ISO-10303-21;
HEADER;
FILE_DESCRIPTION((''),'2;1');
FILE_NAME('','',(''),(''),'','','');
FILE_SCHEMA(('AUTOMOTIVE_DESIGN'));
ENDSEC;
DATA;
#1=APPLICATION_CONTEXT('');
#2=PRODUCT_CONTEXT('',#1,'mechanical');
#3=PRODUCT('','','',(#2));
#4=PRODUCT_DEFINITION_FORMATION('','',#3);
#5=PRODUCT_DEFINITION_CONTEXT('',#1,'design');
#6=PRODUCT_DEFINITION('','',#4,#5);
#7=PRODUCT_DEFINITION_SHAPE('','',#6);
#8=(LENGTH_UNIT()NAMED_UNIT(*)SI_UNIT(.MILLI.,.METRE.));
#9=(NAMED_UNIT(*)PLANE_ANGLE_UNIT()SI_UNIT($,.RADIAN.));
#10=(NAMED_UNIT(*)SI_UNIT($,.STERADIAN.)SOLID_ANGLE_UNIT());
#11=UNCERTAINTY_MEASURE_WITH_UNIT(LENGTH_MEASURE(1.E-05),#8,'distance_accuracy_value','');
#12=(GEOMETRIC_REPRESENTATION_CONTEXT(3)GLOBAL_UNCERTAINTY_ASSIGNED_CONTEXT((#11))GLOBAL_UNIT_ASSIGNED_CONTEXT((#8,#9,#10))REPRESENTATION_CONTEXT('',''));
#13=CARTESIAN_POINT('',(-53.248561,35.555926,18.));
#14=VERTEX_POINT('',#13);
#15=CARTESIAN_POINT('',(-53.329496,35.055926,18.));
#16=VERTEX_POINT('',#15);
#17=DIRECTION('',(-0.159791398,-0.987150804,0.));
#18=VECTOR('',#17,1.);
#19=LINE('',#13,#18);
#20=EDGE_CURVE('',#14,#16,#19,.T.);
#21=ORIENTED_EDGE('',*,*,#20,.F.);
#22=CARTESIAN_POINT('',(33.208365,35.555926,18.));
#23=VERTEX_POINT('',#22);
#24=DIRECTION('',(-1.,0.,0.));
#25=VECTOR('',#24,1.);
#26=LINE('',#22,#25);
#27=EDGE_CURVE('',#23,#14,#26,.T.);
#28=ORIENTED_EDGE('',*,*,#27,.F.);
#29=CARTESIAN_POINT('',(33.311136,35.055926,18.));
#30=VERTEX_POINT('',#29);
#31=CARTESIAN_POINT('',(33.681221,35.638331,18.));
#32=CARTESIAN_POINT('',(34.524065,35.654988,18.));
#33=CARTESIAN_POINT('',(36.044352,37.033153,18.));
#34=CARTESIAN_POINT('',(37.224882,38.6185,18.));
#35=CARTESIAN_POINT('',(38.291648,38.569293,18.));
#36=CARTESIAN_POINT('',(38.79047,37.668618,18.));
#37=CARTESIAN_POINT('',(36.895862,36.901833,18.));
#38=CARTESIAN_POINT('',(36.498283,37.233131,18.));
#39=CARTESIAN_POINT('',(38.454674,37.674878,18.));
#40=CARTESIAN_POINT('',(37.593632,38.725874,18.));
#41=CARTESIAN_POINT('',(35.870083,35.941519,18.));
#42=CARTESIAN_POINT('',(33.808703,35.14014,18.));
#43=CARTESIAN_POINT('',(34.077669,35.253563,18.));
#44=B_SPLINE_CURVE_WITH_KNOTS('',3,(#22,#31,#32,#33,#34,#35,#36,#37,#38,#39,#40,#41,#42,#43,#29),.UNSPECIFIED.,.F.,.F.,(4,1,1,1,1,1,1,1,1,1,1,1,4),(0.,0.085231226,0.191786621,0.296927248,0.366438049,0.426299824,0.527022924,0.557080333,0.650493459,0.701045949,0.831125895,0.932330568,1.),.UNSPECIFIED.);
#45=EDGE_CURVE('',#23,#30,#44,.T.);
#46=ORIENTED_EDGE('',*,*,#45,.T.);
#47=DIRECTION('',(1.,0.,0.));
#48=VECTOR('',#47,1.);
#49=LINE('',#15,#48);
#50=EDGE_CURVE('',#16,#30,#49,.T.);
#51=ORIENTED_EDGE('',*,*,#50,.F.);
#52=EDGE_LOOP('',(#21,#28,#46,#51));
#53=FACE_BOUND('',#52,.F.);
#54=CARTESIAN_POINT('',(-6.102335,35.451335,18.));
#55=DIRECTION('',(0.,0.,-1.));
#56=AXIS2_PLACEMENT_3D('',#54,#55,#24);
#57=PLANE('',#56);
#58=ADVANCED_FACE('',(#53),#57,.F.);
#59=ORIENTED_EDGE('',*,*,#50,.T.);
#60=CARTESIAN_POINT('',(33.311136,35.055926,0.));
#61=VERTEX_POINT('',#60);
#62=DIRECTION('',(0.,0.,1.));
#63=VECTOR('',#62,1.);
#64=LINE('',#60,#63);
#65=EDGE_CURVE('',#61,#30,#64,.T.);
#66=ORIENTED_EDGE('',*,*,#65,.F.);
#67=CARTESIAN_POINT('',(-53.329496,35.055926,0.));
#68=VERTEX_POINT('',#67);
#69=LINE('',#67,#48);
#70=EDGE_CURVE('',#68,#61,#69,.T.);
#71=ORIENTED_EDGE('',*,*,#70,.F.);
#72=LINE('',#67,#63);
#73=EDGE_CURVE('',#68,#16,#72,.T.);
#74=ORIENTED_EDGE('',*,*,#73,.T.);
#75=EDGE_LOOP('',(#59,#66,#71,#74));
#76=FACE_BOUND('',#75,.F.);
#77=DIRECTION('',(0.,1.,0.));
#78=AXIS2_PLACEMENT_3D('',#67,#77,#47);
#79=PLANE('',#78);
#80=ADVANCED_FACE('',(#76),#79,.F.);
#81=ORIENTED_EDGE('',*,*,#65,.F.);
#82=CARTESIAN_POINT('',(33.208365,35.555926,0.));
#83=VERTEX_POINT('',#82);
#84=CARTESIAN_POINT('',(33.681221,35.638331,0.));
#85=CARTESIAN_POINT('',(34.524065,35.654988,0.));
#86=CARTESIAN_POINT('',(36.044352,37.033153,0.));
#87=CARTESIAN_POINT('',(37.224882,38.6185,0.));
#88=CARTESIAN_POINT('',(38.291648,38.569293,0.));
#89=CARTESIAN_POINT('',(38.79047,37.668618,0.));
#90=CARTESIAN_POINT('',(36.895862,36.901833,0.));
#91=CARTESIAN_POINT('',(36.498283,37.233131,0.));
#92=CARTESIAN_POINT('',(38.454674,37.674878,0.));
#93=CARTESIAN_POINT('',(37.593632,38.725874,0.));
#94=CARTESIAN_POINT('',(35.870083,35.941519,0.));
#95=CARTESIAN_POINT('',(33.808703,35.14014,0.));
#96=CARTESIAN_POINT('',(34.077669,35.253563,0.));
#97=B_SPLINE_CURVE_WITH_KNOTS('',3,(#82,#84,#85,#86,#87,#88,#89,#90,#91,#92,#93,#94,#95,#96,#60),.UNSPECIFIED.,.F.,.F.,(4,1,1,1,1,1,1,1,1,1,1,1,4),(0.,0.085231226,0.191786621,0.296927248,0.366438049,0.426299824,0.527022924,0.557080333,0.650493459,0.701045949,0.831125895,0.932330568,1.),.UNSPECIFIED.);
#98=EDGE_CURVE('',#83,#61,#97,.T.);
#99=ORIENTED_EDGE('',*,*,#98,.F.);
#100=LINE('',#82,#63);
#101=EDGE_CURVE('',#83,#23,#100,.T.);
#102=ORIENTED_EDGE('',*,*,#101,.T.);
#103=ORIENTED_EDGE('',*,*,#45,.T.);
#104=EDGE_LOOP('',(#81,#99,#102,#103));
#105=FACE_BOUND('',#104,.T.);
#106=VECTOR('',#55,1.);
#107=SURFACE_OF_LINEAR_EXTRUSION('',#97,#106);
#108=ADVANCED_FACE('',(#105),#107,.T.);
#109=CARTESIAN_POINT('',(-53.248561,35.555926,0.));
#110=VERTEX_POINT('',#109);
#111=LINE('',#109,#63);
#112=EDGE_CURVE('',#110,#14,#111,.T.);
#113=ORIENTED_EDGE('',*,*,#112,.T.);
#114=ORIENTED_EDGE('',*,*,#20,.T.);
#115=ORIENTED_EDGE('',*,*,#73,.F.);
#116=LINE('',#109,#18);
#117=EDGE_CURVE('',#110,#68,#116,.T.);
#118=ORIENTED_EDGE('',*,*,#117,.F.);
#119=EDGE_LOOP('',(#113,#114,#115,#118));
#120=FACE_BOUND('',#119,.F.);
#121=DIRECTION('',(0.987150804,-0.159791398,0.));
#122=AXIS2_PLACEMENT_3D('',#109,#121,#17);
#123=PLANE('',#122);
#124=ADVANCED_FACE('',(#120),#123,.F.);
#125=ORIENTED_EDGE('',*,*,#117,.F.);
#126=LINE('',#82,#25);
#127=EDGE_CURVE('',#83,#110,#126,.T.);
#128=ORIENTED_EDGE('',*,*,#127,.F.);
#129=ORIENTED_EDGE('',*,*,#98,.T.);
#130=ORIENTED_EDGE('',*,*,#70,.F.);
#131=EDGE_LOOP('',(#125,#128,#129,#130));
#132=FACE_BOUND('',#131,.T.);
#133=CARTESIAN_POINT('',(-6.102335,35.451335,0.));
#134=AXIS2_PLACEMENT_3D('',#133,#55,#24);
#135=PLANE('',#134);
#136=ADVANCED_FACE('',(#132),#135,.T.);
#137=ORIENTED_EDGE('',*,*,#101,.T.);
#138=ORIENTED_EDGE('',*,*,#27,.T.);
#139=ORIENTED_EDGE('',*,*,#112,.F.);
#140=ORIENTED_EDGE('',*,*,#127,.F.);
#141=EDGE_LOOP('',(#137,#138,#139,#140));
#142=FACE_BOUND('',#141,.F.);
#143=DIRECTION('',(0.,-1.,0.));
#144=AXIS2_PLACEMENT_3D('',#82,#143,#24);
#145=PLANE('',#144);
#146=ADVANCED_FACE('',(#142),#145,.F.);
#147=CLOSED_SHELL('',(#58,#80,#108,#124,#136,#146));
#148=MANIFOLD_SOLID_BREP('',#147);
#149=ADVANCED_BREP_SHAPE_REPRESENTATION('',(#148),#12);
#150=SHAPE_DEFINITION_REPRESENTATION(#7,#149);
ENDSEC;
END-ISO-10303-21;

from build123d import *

# Parameters (mm, degrees)
F1_DEPTH = 18


with BuildPart() as f1:
    # F0 (on Top) → F1 (new body)
    with BuildSketch(Plane.XY):
        with BuildLine():
            add(Edge.make_bspline(
                [(33.2083649701, 35.555926076), (33.6812209021, 35.638331411), (34.5240650139, 35.6549880246), (36.0443522498, 37.0331534098), (37.2248818912, 38.6184995546), (38.2916479554, 38.5692934981), (38.790469736, 37.6686184984), (36.8958615068, 36.9018328077), (36.4982833528, 37.2331308899), (38.4546738236, 37.6748781935), (37.5936315644, 38.725874376), (35.8700827545, 35.9415189761), (33.8087028329, 35.1401402252), (34.0776687473, 35.2535625412), (33.3111360387, 35.055926076)],
                knots=[0, 0, 0, 0, 0.0852312263, 0.1917866213, 0.2969272476, 0.3664380488, 0.4262998236, 0.5270229235, 0.5570803334, 0.6504934594, 0.7010459495, 0.8311258946, 0.9323305681, 1, 1, 1, 1], degree=3))
            Line((33.2083649701, 35.555926076), (-53.2485608071, 35.555926076))
            Line((-53.2485608071, 35.555926076), (-53.3294964642, 35.055926076))
            Line((-53.3294964642, 35.055926076), (33.3111360387, 35.055926076))
        make_face()
    extrude(amount=F1_DEPTH)


solid = f1.part
